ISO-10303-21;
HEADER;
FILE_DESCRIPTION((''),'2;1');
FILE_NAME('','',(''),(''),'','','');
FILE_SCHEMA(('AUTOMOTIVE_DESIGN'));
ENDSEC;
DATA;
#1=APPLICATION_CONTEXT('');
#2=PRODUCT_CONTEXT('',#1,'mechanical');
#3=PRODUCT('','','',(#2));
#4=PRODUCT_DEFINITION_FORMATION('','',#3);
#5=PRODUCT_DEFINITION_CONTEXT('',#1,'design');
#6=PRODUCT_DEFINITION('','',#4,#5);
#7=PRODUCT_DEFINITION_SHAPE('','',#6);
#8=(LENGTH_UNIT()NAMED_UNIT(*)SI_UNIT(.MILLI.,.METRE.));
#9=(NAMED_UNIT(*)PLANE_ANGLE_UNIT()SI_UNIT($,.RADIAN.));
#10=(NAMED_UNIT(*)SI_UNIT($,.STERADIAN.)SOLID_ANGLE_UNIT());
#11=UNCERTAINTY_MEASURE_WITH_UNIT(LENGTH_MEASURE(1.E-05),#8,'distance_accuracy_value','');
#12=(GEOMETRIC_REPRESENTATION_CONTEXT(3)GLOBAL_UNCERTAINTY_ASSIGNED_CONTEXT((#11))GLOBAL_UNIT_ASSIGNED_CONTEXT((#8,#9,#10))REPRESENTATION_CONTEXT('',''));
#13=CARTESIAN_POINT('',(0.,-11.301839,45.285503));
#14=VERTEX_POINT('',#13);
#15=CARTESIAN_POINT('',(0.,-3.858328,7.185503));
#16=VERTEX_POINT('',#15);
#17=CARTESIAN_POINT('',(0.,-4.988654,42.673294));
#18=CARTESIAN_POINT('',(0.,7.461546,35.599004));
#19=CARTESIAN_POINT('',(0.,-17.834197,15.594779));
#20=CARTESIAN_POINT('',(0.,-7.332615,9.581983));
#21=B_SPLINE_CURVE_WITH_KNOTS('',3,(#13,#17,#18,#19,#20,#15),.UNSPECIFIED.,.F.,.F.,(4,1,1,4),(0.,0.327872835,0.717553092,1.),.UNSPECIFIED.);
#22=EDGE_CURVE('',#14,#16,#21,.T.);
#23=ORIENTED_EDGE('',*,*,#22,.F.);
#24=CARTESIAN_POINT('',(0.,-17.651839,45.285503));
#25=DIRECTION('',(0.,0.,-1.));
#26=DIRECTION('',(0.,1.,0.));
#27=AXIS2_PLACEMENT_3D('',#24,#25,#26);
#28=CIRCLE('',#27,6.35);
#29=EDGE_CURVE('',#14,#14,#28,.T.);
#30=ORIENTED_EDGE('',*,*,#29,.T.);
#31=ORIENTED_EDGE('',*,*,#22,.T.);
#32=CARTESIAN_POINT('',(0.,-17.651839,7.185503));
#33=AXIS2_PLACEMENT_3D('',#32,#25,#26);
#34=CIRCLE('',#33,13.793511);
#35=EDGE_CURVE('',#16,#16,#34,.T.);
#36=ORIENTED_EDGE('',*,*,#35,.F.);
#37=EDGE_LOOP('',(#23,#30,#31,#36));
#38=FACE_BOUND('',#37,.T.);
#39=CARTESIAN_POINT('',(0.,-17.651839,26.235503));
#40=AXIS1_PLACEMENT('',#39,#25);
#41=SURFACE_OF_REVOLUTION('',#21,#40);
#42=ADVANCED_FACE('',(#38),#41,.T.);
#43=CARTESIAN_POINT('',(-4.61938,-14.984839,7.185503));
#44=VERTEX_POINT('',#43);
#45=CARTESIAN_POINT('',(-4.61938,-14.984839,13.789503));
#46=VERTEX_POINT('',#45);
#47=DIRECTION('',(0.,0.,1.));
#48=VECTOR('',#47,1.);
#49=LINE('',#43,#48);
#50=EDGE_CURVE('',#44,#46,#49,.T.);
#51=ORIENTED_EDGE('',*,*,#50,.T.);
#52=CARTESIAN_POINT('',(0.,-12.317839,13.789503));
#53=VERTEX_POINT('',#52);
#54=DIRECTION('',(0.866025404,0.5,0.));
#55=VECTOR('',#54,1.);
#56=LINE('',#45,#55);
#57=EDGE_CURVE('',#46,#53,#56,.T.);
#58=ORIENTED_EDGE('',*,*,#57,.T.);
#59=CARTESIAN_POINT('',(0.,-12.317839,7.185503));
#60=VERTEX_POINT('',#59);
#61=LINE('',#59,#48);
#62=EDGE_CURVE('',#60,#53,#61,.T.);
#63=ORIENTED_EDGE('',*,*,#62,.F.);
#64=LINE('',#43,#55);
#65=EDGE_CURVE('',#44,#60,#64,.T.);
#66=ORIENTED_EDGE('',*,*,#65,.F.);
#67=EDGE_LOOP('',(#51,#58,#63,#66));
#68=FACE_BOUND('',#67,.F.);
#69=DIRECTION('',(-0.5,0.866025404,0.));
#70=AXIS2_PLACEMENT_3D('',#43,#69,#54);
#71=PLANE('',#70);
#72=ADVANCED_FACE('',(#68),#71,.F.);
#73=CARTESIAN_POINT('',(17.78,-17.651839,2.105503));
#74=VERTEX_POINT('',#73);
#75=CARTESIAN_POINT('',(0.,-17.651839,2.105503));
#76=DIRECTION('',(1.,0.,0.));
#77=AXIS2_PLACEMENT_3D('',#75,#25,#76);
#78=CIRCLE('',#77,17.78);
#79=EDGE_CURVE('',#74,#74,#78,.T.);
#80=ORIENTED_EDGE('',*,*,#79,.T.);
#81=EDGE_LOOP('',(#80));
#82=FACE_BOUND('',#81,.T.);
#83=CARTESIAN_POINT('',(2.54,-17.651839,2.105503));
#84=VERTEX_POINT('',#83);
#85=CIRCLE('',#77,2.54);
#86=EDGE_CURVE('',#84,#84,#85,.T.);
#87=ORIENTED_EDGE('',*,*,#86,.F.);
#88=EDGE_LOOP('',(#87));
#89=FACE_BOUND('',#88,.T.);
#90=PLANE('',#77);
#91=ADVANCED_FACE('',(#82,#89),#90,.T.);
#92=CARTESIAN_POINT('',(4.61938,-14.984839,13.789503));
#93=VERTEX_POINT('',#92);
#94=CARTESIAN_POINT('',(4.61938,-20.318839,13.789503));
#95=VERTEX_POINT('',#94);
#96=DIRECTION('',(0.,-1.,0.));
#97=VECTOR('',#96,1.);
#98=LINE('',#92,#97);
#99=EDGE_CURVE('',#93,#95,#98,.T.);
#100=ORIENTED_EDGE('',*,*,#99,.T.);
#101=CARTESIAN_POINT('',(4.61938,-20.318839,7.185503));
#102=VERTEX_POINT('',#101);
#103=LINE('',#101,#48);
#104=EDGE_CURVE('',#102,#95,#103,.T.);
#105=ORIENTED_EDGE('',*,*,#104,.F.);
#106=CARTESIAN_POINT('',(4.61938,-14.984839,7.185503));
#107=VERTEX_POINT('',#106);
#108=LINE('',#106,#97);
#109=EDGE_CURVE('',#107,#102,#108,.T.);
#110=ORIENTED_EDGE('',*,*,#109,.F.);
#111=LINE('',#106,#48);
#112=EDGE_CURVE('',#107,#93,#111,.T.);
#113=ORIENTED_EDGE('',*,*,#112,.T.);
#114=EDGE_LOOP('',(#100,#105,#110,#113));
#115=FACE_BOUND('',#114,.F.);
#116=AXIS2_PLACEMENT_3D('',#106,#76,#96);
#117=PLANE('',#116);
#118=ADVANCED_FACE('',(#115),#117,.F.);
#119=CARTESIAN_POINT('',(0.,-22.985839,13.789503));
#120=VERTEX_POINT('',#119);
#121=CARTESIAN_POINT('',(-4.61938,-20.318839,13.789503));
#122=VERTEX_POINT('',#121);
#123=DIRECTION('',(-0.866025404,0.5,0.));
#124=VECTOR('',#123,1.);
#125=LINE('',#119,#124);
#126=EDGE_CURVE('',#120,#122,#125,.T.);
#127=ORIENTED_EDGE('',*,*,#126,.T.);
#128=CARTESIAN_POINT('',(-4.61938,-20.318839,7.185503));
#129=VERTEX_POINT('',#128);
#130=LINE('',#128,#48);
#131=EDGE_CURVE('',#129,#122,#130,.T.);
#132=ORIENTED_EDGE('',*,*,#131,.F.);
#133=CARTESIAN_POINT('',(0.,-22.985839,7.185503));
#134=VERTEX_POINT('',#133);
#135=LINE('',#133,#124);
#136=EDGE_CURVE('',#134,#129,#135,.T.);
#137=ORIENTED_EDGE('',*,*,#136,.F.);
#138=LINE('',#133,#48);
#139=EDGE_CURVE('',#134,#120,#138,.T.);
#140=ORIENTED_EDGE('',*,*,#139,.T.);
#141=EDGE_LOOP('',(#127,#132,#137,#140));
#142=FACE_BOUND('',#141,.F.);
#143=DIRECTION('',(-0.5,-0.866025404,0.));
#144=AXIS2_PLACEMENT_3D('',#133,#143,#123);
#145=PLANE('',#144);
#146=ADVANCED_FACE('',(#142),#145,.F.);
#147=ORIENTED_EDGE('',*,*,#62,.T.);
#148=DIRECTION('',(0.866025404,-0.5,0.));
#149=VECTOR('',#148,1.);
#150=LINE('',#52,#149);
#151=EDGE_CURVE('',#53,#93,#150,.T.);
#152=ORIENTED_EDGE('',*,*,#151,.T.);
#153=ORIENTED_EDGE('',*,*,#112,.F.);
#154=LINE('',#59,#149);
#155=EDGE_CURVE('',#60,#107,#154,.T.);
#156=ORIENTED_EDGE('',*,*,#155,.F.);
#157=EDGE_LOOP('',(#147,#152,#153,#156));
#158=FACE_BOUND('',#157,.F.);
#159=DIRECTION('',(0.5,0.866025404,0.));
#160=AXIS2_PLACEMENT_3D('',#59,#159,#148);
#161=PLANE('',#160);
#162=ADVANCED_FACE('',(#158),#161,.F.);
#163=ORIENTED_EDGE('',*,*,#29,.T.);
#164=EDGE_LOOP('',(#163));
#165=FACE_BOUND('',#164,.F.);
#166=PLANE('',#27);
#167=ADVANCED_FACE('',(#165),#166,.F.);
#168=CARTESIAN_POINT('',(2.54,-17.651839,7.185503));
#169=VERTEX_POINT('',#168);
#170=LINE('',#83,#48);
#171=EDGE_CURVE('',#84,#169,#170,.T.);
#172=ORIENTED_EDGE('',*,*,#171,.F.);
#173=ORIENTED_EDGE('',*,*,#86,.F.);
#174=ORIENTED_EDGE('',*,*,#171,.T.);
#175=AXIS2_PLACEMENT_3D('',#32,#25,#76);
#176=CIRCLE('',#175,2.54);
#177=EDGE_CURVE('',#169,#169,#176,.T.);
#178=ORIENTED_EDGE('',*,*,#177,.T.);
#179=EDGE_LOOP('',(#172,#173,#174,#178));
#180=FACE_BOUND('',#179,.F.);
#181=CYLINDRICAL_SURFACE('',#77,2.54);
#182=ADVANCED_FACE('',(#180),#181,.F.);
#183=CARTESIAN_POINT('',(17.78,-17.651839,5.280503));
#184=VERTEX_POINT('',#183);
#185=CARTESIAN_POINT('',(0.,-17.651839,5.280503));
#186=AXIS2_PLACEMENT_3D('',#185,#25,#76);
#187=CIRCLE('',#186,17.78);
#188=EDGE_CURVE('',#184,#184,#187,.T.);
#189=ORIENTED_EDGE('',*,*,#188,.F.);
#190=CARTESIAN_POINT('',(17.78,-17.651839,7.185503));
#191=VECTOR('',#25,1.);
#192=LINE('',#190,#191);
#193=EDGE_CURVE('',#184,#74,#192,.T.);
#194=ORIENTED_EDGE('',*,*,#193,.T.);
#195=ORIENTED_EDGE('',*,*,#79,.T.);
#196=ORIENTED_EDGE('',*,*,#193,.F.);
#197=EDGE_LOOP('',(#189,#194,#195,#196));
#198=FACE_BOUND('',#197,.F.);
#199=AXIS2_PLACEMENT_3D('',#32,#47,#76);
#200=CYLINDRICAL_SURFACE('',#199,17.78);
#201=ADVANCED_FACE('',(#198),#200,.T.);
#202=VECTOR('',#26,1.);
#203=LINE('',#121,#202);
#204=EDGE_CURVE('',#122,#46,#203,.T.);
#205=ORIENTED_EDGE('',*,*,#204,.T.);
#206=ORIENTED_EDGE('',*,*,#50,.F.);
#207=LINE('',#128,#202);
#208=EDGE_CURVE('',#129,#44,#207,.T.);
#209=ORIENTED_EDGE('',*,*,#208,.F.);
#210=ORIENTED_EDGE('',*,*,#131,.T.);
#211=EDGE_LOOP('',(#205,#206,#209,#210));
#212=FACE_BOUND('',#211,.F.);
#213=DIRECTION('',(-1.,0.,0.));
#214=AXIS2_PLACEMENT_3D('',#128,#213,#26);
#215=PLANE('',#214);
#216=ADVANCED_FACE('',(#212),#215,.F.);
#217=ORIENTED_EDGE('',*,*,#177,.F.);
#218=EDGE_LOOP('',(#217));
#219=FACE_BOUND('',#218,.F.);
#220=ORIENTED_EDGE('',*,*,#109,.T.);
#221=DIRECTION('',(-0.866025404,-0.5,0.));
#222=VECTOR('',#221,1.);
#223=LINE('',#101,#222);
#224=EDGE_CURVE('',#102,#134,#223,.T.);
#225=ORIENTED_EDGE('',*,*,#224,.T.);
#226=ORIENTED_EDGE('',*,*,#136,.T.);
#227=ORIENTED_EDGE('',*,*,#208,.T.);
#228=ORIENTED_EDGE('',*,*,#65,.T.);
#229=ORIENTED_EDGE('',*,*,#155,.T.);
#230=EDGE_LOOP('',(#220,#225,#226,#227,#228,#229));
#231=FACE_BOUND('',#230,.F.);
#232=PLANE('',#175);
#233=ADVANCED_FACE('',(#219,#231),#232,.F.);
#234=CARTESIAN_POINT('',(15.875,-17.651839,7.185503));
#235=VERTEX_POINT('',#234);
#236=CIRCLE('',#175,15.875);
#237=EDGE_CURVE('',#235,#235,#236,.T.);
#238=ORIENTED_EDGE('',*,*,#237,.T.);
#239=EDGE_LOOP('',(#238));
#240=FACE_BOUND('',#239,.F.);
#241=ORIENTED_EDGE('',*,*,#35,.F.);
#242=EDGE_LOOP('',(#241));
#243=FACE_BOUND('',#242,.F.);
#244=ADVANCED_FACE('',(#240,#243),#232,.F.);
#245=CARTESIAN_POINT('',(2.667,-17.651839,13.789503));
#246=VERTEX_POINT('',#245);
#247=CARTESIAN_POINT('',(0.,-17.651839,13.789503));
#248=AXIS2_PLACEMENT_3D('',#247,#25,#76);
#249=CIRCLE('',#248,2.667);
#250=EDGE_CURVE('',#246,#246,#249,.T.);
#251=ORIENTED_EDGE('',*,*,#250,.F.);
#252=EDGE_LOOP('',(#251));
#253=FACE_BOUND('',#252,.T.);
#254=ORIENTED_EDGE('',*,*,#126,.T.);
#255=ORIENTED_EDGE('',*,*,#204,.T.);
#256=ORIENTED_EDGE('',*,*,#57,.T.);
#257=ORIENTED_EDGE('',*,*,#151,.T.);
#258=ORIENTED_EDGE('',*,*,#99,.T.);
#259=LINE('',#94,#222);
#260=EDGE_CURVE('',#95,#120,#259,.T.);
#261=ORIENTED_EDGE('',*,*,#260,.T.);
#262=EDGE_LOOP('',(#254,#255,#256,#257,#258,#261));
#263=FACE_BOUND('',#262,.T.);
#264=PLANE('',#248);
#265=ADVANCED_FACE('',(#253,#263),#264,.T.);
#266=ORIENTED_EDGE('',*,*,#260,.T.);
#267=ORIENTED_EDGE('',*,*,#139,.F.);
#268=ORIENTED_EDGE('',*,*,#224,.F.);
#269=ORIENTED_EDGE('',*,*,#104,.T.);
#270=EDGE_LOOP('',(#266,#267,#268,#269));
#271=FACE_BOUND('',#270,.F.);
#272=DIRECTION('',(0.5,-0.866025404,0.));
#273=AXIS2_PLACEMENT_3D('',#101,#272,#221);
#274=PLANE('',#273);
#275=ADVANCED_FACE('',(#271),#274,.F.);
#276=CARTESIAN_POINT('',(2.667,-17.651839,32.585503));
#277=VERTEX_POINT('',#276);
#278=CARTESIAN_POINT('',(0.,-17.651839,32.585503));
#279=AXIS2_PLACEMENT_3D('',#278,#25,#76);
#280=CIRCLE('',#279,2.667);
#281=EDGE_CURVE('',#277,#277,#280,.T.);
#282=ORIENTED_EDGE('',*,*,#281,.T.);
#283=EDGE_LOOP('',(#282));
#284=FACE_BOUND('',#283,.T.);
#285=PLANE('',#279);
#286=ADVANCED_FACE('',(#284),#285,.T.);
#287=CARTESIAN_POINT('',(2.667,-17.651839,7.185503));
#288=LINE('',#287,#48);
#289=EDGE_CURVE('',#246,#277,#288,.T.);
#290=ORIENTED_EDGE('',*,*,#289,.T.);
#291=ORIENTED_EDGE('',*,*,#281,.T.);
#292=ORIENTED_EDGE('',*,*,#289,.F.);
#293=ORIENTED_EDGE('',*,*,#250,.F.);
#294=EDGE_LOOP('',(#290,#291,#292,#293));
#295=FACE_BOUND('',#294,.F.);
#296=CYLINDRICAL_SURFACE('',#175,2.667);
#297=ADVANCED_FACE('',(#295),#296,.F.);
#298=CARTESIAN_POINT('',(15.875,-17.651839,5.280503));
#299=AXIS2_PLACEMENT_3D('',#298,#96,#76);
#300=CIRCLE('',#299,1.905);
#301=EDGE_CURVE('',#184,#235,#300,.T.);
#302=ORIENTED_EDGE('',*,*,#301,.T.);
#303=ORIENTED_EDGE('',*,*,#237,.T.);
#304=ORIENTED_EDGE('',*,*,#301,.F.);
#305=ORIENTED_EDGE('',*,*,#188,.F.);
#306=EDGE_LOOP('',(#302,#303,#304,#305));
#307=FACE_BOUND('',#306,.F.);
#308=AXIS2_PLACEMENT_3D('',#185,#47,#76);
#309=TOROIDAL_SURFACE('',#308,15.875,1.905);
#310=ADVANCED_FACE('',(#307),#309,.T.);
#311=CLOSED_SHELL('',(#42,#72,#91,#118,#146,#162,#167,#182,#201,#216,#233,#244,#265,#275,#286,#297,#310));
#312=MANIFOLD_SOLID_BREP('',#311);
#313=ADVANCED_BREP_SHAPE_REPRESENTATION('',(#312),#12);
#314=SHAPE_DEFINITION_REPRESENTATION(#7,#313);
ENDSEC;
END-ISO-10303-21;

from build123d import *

# Parameters (mm, degrees)
F2_R           = 2.667
F3_DEPTH       = 25.4
F4_R           = 2.667
F5_DEPTH       = 25.654
F6_DEPTH       = 25.4
F8_DEPTH       = 6.604
F9_R           = 17.78
F10_DEPTH      = 5.08
F11_R          = 2.54
F12_DEPTH      = 5.08
F12_DEPTH_BACK = 25.4
F13_R          = 1.905


with BuildPart() as f1:
    # F0 (on Right) → F1 (revolve)
    with BuildSketch(Plane.YZ):
        with BuildLine():
            Line((-11.3018388831, 45.2855030986), (-17.6518388831, 45.2855030986))
            Line((-17.6518388831, 45.2855030986), (-17.6518388831, 7.1855030986))
            Line((-17.6518388831, 7.1855030986), (-3.8583281767, 7.1855030986))
            add(Edge.make_bspline(
                [(-11.3018388831, 45.2855030986), (-4.9886537294, 42.6732938219), (7.461546199, 35.5990041809), (-17.8341972837, 15.5947792754), (-7.3326148912, 9.581982695), (-3.8583281767, 7.1855030986)],
                knots=[0, 0, 0, 0, 0.327872835, 0.7175530921, 1, 1, 1, 1], degree=3))
        make_face()
    revolve(axis=Axis((0, -17.6518388831, 26.2355030986), (0, 0, -1)))

    # F2 (on face) → F3 (join)
    with BuildSketch(Plane(origin=(0, 0, 7.1855030986), x_dir=(1, 0, 0), z_dir=(0, 0, -1))):
        with Locations((0, 17.6518388831)):
            Circle(F2_R)
    extrude(amount=-F3_DEPTH)

    # F4 (on face) → F5 (join)
    with BuildSketch(Plane(origin=(0, 0, 7.1855030986), x_dir=(1, 0, 0), z_dir=(0, 0, -1))):
        with Locations((0, 17.6518388831)):
            Circle(F4_R)
    extrude(amount=-F5_DEPTH)

    # F4 (on face) → F6 (cut)
    with BuildSketch(Plane(origin=(0, 0, 7.1855030986), x_dir=(1, 0, 0), z_dir=(0, 0, -1))):
        with Locations((0, 17.6518388831)):
            Circle(F4_R)
    extrude(amount=-F6_DEPTH, mode=Mode.SUBTRACT)

    # F7 (on face) → F8 (cut)
    with BuildSketch(Plane(origin=(0, 0, 7.1855030986), x_dir=(1, 0, 0), z_dir=(0, 0, -1))):
        Polygon((-4.6193795038, 20.3188388831), (-4.6193795038, 14.9848388831), (0, 12.3178388831), (4.6193795038, 14.9848388831), (4.6193795038, 20.3188388831), (0, 22.9858388831), align=None)
    extrude(amount=-F8_DEPTH, mode=Mode.SUBTRACT)

    # F9 (on face) → F10 (join)
    with BuildSketch(Plane(origin=(0, 0, 7.1855030986), x_dir=(1, 0, 0), z_dir=(0, 0, -1))):
        with Locations((0, 17.6518388831)):
            Circle(F9_R)
    extrude(amount=F10_DEPTH)

    # F11 (on face) → F12 (cut, two sides)
    with BuildSketch(Plane(origin=(0, 0, 2.1055030986), x_dir=(1, 0, 0), z_dir=(0, 0, -1))) as f12_sk:
        with Locations((0, 17.6518388831)):
            Circle(F11_R)
    extrude(amount=-F12_DEPTH, mode=Mode.SUBTRACT)
    extrude(f12_sk.sketch, amount=F12_DEPTH_BACK, mode=Mode.SUBTRACT)

    # F13
    f13_edges = [f1.edges().sort_by_distance(p)[0] for p in [
        (-17.78, -17.651839, 7.185503),
    ]]
    fillet(f13_edges, radius=F13_R)


solid = f1.part
